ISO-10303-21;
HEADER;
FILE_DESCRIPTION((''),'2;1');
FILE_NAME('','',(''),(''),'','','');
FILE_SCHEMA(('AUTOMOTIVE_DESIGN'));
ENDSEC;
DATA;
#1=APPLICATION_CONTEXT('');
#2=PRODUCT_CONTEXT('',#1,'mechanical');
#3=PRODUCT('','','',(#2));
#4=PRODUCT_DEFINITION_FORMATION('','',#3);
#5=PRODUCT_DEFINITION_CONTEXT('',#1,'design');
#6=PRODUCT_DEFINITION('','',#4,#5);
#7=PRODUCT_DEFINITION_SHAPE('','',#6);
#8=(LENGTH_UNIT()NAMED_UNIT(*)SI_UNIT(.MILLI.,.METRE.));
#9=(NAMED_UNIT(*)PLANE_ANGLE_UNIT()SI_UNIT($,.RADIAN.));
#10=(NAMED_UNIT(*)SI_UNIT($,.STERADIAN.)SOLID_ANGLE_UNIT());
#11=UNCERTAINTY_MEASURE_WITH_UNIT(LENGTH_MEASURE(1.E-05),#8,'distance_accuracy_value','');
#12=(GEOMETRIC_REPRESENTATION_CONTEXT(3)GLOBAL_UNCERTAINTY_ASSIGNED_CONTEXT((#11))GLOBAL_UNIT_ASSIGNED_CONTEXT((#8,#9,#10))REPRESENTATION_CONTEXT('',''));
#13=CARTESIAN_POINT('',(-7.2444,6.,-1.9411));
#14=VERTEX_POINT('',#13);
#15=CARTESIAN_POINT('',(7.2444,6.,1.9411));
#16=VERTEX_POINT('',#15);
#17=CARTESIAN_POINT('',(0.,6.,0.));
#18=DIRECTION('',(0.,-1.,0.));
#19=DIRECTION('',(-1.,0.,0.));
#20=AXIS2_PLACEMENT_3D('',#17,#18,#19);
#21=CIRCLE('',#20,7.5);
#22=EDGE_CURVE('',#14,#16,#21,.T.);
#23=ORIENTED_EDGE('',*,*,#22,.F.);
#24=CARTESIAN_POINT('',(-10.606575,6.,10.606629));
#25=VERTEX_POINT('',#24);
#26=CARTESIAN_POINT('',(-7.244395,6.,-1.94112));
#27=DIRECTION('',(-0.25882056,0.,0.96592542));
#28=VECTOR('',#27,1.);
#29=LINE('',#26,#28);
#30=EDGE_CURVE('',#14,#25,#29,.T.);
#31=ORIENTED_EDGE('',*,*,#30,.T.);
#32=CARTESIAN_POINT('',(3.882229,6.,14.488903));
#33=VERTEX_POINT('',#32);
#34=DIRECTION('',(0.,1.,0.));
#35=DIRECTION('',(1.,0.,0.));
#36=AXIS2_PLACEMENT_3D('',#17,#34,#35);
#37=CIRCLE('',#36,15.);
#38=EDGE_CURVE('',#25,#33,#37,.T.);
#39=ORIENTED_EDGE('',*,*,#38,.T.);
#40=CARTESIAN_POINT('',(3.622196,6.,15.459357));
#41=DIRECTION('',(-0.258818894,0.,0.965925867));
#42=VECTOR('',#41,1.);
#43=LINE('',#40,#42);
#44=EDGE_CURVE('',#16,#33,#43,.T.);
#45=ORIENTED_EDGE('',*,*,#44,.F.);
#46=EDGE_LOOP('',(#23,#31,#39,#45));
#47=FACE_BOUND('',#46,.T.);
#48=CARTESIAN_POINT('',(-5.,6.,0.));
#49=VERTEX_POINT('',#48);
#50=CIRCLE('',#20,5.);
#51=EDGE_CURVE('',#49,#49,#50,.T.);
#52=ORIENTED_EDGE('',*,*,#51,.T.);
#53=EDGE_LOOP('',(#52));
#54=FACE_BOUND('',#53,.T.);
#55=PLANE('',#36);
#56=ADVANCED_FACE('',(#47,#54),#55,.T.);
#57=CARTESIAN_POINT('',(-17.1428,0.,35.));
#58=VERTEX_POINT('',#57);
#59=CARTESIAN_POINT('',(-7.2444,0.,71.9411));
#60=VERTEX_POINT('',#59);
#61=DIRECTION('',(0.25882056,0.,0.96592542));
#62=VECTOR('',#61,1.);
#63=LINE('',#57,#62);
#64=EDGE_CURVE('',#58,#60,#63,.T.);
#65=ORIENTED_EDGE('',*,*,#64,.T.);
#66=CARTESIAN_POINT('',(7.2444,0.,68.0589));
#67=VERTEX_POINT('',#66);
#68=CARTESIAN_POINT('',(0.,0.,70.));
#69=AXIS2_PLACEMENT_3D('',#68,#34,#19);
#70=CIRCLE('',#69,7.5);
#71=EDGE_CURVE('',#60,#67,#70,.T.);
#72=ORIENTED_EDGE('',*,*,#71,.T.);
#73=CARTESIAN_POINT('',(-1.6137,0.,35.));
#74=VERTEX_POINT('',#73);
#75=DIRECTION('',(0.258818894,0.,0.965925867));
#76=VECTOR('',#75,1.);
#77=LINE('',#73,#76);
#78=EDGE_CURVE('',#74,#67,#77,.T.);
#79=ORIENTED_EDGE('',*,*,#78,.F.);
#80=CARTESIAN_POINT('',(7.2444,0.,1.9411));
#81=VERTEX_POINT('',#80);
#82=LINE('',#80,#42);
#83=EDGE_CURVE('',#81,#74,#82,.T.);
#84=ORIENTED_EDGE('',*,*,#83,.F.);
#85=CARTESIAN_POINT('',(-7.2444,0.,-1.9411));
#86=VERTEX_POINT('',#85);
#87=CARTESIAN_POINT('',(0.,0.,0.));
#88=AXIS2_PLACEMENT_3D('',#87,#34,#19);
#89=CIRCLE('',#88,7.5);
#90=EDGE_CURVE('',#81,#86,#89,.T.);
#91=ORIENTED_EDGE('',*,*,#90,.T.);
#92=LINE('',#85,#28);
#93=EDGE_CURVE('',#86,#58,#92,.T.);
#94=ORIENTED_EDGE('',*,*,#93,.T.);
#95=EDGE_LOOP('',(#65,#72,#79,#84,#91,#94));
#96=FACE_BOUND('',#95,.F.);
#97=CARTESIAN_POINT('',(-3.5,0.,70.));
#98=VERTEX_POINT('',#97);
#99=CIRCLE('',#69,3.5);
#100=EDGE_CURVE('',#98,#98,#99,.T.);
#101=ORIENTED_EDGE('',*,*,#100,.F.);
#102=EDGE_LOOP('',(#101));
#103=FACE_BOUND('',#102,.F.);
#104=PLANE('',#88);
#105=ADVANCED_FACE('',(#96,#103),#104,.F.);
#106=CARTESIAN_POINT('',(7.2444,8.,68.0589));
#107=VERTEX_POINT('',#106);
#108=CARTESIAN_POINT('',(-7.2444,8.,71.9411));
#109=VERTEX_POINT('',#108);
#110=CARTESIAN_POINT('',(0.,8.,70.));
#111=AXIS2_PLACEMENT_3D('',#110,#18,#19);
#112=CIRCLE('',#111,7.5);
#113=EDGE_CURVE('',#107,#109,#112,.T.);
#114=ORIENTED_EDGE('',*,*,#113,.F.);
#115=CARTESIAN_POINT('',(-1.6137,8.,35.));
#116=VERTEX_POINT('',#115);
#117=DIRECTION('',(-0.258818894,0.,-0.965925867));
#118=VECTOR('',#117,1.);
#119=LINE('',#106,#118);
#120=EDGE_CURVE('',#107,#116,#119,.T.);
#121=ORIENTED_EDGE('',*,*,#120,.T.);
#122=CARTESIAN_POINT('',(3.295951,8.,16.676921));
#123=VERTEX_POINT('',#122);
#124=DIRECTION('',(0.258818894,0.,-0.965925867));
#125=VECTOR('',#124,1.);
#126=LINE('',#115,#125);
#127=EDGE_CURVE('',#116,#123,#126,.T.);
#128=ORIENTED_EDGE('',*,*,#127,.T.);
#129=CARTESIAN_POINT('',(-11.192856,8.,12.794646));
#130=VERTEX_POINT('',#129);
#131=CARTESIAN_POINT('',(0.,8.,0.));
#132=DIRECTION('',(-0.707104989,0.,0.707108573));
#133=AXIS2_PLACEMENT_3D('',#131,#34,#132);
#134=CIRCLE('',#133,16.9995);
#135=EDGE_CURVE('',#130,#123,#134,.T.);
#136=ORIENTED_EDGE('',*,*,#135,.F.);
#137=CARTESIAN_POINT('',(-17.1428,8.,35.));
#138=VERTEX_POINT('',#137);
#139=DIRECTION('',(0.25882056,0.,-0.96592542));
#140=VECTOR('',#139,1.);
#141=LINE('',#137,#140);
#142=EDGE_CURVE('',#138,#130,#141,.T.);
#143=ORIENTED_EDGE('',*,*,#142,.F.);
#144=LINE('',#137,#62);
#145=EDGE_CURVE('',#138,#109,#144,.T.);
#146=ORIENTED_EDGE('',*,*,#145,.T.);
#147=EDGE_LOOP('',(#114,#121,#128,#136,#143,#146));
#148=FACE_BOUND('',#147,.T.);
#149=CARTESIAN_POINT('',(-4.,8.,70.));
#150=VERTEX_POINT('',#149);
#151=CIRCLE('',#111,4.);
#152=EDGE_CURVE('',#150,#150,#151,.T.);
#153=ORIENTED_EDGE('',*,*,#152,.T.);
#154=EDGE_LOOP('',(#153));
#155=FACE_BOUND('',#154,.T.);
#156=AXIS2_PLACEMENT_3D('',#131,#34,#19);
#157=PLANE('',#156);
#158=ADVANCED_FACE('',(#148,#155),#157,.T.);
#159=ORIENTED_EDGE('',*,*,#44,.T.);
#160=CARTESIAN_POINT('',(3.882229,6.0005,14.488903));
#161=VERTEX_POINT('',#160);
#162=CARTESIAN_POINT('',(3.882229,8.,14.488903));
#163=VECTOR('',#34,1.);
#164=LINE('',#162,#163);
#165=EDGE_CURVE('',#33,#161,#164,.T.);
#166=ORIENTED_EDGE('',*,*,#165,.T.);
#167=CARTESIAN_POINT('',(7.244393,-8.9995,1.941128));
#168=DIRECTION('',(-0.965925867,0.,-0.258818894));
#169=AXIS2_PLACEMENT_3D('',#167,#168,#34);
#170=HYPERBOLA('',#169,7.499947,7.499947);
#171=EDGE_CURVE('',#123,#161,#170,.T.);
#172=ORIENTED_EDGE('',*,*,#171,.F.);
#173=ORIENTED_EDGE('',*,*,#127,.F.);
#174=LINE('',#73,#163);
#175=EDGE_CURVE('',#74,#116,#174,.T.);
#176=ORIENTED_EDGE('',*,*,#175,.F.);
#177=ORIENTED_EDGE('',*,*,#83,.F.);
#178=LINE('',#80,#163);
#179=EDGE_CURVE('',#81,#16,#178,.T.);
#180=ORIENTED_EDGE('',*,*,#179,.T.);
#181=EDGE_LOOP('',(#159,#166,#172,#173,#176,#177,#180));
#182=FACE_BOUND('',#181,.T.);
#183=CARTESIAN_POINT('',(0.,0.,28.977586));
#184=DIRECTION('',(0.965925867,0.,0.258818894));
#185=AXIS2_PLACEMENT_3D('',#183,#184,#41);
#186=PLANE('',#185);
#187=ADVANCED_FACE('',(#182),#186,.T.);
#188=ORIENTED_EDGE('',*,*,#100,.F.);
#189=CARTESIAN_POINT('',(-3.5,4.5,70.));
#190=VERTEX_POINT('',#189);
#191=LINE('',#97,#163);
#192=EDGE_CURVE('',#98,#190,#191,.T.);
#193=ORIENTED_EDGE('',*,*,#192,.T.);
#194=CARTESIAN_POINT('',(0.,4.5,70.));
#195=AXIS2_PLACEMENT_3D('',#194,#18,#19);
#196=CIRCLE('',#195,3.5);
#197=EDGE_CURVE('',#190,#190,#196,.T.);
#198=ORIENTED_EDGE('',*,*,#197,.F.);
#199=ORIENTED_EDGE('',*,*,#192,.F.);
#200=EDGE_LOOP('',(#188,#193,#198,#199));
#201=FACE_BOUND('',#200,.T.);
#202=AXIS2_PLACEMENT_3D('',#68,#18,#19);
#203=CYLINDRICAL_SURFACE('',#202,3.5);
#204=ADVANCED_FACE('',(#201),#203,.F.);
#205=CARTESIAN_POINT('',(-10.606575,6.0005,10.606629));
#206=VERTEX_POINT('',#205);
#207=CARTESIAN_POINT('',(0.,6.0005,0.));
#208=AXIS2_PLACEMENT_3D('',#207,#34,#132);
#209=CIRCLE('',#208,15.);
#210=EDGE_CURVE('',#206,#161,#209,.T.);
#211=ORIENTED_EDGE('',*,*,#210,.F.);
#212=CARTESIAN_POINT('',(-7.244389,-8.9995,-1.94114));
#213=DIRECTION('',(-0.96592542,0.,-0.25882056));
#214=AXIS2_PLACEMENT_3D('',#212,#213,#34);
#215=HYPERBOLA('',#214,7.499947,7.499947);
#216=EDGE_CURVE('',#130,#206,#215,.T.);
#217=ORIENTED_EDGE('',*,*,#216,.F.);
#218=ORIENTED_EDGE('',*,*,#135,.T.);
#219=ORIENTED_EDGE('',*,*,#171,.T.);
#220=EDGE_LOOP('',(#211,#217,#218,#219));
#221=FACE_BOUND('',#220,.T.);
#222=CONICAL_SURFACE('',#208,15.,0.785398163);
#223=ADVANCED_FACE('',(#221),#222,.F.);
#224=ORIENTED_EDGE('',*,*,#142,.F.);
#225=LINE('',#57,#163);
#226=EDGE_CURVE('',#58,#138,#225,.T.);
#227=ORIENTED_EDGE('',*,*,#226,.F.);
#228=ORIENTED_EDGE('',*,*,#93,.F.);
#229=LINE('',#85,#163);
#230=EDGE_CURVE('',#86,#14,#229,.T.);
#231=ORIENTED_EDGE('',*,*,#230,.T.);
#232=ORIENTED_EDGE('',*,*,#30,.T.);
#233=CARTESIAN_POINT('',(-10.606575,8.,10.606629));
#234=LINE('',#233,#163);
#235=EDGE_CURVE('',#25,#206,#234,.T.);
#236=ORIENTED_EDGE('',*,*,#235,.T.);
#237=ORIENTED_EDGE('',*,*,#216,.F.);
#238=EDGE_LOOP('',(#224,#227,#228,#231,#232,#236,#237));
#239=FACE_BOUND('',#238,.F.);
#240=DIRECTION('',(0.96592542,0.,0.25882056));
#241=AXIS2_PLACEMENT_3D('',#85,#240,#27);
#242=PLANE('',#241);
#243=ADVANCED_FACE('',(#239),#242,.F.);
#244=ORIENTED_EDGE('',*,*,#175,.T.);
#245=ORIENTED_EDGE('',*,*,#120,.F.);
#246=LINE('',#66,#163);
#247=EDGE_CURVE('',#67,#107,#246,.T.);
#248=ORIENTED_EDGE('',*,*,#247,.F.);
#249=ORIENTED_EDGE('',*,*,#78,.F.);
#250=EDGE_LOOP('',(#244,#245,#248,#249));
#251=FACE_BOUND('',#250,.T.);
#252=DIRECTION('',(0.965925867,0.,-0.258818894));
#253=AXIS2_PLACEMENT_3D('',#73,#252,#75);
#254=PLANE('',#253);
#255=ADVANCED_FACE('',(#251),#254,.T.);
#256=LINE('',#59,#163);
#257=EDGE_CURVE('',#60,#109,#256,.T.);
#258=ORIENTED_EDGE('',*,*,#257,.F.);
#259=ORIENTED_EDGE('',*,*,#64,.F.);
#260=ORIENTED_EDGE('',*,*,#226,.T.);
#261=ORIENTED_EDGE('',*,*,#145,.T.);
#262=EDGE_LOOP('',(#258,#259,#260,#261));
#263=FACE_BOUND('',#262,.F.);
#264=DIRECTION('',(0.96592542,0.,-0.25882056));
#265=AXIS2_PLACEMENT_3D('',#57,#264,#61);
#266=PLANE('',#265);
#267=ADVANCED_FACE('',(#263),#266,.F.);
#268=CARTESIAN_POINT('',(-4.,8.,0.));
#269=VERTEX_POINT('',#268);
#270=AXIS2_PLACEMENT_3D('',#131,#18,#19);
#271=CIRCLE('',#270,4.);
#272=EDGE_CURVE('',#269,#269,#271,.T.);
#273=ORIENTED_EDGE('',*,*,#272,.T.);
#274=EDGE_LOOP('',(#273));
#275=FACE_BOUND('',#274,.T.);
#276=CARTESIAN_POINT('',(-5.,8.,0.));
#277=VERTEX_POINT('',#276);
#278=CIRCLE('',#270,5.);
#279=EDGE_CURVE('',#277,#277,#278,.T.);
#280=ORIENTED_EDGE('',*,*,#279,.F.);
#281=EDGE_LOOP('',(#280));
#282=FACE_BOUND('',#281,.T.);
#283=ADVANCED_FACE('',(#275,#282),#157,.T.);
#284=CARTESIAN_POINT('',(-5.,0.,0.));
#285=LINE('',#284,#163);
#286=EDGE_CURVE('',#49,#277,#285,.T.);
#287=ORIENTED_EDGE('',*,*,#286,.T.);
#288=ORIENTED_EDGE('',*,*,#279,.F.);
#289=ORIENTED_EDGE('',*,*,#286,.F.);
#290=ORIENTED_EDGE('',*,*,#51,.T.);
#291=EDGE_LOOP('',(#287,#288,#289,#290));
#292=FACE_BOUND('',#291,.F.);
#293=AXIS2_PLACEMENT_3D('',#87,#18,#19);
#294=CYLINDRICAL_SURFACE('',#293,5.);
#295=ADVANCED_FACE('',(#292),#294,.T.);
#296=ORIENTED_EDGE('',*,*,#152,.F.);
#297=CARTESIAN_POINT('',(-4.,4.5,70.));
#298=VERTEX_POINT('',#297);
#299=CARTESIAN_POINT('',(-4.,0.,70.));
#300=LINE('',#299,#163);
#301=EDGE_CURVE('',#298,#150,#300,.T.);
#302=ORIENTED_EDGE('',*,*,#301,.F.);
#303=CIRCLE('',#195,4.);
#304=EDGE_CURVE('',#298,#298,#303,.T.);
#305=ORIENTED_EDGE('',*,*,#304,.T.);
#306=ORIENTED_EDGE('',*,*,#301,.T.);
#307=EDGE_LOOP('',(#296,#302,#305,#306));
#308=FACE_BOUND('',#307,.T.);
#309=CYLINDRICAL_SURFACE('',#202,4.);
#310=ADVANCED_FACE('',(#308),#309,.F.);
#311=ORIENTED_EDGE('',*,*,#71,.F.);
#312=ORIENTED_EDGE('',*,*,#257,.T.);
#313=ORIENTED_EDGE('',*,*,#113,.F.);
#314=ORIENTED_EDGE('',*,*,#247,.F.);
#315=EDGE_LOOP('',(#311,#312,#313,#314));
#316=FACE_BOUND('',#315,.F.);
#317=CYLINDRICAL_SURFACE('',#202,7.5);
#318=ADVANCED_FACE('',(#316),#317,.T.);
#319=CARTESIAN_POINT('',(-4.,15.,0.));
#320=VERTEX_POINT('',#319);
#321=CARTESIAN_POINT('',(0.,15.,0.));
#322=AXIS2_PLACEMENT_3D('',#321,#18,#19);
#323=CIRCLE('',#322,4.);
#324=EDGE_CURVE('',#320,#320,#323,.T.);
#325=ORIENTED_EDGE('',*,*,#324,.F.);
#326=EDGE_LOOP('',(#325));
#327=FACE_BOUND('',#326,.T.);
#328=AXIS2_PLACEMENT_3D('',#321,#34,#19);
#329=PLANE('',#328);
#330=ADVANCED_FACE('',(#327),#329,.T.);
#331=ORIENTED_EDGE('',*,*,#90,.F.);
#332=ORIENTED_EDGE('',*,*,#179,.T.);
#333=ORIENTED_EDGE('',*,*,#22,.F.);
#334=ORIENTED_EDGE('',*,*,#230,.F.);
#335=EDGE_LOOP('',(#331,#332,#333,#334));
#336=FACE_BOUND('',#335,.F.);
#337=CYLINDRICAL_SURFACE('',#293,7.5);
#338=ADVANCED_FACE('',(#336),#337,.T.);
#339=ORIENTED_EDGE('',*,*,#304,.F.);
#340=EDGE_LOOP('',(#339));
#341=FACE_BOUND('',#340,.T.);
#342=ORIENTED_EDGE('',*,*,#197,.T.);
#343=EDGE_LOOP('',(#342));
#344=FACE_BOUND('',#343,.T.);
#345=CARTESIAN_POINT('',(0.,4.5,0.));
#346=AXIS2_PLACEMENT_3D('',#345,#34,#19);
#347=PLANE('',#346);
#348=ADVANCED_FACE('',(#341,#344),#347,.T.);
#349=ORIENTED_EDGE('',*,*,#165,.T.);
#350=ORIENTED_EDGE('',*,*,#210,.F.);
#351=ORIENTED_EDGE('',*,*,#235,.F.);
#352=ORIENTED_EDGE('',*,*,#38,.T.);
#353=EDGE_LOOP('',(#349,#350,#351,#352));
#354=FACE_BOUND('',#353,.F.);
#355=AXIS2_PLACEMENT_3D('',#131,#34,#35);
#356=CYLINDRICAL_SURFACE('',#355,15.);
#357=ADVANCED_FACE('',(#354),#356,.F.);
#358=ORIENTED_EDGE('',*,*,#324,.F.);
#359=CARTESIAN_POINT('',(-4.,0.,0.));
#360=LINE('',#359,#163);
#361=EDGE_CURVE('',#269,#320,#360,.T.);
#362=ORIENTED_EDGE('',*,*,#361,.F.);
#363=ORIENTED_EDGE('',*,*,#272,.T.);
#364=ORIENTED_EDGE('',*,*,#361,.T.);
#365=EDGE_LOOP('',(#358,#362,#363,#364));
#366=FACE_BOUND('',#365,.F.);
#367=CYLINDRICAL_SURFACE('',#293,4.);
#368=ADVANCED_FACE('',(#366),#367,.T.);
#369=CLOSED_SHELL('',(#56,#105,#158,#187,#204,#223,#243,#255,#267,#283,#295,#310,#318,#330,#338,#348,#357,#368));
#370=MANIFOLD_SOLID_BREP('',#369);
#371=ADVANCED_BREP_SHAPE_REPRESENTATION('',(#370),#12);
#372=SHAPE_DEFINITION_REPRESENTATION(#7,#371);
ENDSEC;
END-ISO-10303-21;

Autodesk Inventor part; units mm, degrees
ref_plane "YZ Plane" through (0, 0, 0) normal (1, 0, 0) x (0, 1, 0)
ref_plane "XZ Plane" through (0, 0, 0) normal (0, 1, 0) x (-1, 0, 0)
ref_plane "XY Plane" through (0, 0, 0) normal (0, 0, 1) x (1, 0, 0)
sketch "Sketch3" plane through (0, 0, 0) normal (0, 1, 0) x (-1, 0, 0)
  circle A0 centre (0, 0) radius 4
  circle A1 centre (0, 0) radius 5
  circle A2 centre (0, 0) radius 7.5
  line L0 (0, -24.5) -> (0, 94.5) projected
  line L1 (22.0714, 0) -> (-12.4286, 0) projected
  circle A3 centre (0, 70) radius 4
  line L2 (7.2444, -1.9411) -> (17.1428, 35)
  line L3 (17.1428, 35) -> (7.2444, 71.9411)
  circle A4 centre (0, 70) radius 7.5
  line L4 (-7.2444, 1.9411) -> (1.6137, 35)
  line L5 (1.6137, 35) -> (-7.2444, 68.0589)
  circle A5 centre (0, 70) radius 3.5
  dimension "d15" = 8
  dimension "d16" = 10
  dimension "d17" = 15
  dimension "d18" = 8
  dimension "d19" = 70
  dimension "d20" = 15
  dimension "d21" = 35
  dimension "d24" = 15
  dimension "d25" = 35
  dimension "d43" = 7
extrude "Extrusion4" add sketch "Sketch3" along normal blind 8 contours L1 L2 A2 | A2 L0 L4 L5 A4 L3 L2 L1 | A2 L4 L0 | L5 A4 L0
extrude "Extrusion5" add sketch "Sketch3" along normal blind 8 contours L1 A2 L0 A1 | A1 L0 A2 L1 | A1 L1 A2 L0 | L0 A2 L1 A1
sketch "Sketch4" plane through (0, 8, 0) normal (0, 1, 0) x (1, 0, 0)
  circle A0 centre (0, 0) radius 15
  circle A1 centre (0, 0) radius 13.25
  dimension "d30" = 30
  dimension "d31" = 26.5
extrude "Extrusion6" cut sketch "Sketch4" against normal blind 2 contours A0 | A1
extrude "Extrusion7" add sketch "Sketch3" along normal blind 15 contours L1 L0 A0 | A0 L0 L1 | L0 L1 A0 | A0 L1 L0
extrude "Extrusion8" add sketch "Sketch3" along normal blind 8 contours L1 A1 L0 A0 | A0 L0 A1 L1 | A0 L1 A1 L0 | L0 A1 L1 A0
chamfer "Chamfer1" distance 2 angle 45 1 edges at (-3.8823, 8, 14.4889)
extrude "Extrusion9" add sketch "Sketch3" along normal blind 8 contours A4 L0 A3 | A4 L0 A3
extrude "Extrusion10" add sketch "Sketch3" along normal blind 4.5 contours A3 L0 A5 | L0 A5 A3
properties part number "side arm"
